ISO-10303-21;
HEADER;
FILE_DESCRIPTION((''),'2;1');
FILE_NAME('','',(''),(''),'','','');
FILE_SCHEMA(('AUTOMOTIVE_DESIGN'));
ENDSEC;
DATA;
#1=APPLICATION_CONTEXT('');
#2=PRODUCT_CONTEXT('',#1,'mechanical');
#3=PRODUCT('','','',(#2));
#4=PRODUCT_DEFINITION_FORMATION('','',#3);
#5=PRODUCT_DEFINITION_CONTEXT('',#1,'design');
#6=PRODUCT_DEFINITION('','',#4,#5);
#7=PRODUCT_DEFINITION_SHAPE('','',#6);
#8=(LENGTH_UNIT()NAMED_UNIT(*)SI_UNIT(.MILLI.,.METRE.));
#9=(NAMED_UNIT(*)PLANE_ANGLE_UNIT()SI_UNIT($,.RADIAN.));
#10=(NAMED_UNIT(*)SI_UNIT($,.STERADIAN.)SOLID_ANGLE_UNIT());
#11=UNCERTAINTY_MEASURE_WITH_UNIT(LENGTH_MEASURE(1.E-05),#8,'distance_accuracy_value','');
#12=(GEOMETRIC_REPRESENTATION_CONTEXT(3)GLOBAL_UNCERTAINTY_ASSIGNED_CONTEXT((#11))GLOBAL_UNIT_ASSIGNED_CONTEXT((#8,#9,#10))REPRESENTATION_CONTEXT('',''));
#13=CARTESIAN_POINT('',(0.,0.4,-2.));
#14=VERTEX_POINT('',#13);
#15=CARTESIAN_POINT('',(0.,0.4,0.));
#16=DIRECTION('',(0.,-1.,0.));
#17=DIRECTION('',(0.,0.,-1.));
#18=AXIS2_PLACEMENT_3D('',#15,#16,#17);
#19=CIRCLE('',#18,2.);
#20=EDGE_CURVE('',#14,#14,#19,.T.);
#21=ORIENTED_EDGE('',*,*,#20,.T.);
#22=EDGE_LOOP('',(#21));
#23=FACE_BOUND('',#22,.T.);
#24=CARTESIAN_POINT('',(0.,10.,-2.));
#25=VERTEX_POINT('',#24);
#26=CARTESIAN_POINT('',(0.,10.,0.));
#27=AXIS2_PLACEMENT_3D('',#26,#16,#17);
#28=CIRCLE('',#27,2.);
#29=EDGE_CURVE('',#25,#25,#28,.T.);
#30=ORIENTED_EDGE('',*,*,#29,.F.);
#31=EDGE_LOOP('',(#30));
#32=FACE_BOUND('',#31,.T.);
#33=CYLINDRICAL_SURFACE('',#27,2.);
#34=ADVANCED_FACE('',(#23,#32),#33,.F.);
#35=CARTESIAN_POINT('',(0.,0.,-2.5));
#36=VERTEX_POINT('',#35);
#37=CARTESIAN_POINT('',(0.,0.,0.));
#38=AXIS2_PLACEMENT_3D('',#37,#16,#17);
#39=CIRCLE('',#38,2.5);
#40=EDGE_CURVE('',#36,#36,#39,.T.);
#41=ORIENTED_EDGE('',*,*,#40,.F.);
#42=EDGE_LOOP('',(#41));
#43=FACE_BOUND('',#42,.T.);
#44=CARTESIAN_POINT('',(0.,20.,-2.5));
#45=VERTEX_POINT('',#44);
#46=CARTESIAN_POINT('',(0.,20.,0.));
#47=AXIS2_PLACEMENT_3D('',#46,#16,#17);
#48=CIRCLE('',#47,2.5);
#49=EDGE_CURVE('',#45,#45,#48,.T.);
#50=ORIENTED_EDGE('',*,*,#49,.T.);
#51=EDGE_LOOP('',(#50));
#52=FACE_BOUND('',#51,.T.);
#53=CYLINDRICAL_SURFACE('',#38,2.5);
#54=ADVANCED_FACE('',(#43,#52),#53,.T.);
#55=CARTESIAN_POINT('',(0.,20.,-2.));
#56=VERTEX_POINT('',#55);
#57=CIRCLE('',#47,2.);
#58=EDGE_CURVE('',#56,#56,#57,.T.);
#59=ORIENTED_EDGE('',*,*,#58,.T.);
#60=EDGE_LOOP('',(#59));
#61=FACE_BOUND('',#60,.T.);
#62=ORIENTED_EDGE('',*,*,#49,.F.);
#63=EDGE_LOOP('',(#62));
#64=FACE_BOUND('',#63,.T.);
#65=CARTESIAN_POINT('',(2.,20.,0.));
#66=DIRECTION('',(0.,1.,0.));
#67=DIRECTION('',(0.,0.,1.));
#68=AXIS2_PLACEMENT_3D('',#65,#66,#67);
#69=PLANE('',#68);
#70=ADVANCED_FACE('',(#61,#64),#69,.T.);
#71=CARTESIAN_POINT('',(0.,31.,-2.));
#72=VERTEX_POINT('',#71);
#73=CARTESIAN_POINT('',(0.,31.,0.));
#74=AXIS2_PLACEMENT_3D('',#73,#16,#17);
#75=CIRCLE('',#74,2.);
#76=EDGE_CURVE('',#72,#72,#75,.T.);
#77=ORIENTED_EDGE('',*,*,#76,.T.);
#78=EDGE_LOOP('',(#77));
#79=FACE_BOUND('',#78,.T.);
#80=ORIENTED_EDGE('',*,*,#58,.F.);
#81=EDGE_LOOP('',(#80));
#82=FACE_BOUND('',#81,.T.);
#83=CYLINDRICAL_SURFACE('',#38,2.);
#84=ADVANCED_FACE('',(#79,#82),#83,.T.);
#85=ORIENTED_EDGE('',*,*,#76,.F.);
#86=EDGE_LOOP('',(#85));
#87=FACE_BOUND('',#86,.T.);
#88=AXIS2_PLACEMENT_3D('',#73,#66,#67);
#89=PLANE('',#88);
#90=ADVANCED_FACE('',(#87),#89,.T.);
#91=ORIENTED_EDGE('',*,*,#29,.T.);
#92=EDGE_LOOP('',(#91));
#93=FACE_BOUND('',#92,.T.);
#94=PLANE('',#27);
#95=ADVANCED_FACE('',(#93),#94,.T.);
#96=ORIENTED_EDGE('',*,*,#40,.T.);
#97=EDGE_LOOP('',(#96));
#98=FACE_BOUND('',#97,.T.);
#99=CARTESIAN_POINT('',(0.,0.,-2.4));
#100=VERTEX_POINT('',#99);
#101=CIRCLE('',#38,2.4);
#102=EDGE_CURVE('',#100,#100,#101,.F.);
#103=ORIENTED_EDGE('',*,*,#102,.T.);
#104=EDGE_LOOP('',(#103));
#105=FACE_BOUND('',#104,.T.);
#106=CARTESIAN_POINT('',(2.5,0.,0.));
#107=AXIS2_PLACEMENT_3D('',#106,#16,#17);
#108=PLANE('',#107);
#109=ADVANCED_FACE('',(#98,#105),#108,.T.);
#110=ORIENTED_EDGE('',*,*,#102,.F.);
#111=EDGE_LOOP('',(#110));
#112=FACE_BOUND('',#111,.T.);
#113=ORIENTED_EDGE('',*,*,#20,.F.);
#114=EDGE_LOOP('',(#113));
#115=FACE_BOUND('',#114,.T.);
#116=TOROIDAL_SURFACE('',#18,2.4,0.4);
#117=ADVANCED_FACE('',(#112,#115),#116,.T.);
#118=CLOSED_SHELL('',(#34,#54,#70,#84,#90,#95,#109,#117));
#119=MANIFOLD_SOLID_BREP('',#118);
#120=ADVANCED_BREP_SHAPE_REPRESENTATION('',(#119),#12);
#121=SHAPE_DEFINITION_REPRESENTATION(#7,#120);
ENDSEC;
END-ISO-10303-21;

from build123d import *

# Parameters (mm, degrees)
IZIM2_R               = 2
KES_EKSTR_ZYON1_DEPTH = 10
RADYUS1_R             = 0.4


with BuildPart() as part:
    # Çizim1 → Döndür1 (revolve)
    with BuildSketch(Plane.XY, mode=Mode.PRIVATE) as d_nd_r1_sk:
        Polygon((0, 0), (0, 31), (2, 31), (2, 20), (2.5, 20), (2.5, 0), align=None)
    revolve(d_nd_r1_sk.sketch.rotate(Axis((0, 0, 0), (0, 1, 0)), 90), axis=Axis((0, 0, 0), (0, 1, 0)))

    # Çizim2 → Kes-Ekstrüzyon1 (cut)
    with BuildSketch(Plane.XZ):
        with Locations(Location((0, 0, 0), (0, 0, 270))):
            Circle(IZIM2_R)
    extrude(amount=-KES_EKSTR_ZYON1_DEPTH, mode=Mode.SUBTRACT)

    # Radyus1
    radyus1_edges = [part.edges().sort_by_distance(p)[0] for p in [
        (0, 0, 2),
    ]]
    fillet(radyus1_edges, radius=RADYUS1_R)


solid = part.part
